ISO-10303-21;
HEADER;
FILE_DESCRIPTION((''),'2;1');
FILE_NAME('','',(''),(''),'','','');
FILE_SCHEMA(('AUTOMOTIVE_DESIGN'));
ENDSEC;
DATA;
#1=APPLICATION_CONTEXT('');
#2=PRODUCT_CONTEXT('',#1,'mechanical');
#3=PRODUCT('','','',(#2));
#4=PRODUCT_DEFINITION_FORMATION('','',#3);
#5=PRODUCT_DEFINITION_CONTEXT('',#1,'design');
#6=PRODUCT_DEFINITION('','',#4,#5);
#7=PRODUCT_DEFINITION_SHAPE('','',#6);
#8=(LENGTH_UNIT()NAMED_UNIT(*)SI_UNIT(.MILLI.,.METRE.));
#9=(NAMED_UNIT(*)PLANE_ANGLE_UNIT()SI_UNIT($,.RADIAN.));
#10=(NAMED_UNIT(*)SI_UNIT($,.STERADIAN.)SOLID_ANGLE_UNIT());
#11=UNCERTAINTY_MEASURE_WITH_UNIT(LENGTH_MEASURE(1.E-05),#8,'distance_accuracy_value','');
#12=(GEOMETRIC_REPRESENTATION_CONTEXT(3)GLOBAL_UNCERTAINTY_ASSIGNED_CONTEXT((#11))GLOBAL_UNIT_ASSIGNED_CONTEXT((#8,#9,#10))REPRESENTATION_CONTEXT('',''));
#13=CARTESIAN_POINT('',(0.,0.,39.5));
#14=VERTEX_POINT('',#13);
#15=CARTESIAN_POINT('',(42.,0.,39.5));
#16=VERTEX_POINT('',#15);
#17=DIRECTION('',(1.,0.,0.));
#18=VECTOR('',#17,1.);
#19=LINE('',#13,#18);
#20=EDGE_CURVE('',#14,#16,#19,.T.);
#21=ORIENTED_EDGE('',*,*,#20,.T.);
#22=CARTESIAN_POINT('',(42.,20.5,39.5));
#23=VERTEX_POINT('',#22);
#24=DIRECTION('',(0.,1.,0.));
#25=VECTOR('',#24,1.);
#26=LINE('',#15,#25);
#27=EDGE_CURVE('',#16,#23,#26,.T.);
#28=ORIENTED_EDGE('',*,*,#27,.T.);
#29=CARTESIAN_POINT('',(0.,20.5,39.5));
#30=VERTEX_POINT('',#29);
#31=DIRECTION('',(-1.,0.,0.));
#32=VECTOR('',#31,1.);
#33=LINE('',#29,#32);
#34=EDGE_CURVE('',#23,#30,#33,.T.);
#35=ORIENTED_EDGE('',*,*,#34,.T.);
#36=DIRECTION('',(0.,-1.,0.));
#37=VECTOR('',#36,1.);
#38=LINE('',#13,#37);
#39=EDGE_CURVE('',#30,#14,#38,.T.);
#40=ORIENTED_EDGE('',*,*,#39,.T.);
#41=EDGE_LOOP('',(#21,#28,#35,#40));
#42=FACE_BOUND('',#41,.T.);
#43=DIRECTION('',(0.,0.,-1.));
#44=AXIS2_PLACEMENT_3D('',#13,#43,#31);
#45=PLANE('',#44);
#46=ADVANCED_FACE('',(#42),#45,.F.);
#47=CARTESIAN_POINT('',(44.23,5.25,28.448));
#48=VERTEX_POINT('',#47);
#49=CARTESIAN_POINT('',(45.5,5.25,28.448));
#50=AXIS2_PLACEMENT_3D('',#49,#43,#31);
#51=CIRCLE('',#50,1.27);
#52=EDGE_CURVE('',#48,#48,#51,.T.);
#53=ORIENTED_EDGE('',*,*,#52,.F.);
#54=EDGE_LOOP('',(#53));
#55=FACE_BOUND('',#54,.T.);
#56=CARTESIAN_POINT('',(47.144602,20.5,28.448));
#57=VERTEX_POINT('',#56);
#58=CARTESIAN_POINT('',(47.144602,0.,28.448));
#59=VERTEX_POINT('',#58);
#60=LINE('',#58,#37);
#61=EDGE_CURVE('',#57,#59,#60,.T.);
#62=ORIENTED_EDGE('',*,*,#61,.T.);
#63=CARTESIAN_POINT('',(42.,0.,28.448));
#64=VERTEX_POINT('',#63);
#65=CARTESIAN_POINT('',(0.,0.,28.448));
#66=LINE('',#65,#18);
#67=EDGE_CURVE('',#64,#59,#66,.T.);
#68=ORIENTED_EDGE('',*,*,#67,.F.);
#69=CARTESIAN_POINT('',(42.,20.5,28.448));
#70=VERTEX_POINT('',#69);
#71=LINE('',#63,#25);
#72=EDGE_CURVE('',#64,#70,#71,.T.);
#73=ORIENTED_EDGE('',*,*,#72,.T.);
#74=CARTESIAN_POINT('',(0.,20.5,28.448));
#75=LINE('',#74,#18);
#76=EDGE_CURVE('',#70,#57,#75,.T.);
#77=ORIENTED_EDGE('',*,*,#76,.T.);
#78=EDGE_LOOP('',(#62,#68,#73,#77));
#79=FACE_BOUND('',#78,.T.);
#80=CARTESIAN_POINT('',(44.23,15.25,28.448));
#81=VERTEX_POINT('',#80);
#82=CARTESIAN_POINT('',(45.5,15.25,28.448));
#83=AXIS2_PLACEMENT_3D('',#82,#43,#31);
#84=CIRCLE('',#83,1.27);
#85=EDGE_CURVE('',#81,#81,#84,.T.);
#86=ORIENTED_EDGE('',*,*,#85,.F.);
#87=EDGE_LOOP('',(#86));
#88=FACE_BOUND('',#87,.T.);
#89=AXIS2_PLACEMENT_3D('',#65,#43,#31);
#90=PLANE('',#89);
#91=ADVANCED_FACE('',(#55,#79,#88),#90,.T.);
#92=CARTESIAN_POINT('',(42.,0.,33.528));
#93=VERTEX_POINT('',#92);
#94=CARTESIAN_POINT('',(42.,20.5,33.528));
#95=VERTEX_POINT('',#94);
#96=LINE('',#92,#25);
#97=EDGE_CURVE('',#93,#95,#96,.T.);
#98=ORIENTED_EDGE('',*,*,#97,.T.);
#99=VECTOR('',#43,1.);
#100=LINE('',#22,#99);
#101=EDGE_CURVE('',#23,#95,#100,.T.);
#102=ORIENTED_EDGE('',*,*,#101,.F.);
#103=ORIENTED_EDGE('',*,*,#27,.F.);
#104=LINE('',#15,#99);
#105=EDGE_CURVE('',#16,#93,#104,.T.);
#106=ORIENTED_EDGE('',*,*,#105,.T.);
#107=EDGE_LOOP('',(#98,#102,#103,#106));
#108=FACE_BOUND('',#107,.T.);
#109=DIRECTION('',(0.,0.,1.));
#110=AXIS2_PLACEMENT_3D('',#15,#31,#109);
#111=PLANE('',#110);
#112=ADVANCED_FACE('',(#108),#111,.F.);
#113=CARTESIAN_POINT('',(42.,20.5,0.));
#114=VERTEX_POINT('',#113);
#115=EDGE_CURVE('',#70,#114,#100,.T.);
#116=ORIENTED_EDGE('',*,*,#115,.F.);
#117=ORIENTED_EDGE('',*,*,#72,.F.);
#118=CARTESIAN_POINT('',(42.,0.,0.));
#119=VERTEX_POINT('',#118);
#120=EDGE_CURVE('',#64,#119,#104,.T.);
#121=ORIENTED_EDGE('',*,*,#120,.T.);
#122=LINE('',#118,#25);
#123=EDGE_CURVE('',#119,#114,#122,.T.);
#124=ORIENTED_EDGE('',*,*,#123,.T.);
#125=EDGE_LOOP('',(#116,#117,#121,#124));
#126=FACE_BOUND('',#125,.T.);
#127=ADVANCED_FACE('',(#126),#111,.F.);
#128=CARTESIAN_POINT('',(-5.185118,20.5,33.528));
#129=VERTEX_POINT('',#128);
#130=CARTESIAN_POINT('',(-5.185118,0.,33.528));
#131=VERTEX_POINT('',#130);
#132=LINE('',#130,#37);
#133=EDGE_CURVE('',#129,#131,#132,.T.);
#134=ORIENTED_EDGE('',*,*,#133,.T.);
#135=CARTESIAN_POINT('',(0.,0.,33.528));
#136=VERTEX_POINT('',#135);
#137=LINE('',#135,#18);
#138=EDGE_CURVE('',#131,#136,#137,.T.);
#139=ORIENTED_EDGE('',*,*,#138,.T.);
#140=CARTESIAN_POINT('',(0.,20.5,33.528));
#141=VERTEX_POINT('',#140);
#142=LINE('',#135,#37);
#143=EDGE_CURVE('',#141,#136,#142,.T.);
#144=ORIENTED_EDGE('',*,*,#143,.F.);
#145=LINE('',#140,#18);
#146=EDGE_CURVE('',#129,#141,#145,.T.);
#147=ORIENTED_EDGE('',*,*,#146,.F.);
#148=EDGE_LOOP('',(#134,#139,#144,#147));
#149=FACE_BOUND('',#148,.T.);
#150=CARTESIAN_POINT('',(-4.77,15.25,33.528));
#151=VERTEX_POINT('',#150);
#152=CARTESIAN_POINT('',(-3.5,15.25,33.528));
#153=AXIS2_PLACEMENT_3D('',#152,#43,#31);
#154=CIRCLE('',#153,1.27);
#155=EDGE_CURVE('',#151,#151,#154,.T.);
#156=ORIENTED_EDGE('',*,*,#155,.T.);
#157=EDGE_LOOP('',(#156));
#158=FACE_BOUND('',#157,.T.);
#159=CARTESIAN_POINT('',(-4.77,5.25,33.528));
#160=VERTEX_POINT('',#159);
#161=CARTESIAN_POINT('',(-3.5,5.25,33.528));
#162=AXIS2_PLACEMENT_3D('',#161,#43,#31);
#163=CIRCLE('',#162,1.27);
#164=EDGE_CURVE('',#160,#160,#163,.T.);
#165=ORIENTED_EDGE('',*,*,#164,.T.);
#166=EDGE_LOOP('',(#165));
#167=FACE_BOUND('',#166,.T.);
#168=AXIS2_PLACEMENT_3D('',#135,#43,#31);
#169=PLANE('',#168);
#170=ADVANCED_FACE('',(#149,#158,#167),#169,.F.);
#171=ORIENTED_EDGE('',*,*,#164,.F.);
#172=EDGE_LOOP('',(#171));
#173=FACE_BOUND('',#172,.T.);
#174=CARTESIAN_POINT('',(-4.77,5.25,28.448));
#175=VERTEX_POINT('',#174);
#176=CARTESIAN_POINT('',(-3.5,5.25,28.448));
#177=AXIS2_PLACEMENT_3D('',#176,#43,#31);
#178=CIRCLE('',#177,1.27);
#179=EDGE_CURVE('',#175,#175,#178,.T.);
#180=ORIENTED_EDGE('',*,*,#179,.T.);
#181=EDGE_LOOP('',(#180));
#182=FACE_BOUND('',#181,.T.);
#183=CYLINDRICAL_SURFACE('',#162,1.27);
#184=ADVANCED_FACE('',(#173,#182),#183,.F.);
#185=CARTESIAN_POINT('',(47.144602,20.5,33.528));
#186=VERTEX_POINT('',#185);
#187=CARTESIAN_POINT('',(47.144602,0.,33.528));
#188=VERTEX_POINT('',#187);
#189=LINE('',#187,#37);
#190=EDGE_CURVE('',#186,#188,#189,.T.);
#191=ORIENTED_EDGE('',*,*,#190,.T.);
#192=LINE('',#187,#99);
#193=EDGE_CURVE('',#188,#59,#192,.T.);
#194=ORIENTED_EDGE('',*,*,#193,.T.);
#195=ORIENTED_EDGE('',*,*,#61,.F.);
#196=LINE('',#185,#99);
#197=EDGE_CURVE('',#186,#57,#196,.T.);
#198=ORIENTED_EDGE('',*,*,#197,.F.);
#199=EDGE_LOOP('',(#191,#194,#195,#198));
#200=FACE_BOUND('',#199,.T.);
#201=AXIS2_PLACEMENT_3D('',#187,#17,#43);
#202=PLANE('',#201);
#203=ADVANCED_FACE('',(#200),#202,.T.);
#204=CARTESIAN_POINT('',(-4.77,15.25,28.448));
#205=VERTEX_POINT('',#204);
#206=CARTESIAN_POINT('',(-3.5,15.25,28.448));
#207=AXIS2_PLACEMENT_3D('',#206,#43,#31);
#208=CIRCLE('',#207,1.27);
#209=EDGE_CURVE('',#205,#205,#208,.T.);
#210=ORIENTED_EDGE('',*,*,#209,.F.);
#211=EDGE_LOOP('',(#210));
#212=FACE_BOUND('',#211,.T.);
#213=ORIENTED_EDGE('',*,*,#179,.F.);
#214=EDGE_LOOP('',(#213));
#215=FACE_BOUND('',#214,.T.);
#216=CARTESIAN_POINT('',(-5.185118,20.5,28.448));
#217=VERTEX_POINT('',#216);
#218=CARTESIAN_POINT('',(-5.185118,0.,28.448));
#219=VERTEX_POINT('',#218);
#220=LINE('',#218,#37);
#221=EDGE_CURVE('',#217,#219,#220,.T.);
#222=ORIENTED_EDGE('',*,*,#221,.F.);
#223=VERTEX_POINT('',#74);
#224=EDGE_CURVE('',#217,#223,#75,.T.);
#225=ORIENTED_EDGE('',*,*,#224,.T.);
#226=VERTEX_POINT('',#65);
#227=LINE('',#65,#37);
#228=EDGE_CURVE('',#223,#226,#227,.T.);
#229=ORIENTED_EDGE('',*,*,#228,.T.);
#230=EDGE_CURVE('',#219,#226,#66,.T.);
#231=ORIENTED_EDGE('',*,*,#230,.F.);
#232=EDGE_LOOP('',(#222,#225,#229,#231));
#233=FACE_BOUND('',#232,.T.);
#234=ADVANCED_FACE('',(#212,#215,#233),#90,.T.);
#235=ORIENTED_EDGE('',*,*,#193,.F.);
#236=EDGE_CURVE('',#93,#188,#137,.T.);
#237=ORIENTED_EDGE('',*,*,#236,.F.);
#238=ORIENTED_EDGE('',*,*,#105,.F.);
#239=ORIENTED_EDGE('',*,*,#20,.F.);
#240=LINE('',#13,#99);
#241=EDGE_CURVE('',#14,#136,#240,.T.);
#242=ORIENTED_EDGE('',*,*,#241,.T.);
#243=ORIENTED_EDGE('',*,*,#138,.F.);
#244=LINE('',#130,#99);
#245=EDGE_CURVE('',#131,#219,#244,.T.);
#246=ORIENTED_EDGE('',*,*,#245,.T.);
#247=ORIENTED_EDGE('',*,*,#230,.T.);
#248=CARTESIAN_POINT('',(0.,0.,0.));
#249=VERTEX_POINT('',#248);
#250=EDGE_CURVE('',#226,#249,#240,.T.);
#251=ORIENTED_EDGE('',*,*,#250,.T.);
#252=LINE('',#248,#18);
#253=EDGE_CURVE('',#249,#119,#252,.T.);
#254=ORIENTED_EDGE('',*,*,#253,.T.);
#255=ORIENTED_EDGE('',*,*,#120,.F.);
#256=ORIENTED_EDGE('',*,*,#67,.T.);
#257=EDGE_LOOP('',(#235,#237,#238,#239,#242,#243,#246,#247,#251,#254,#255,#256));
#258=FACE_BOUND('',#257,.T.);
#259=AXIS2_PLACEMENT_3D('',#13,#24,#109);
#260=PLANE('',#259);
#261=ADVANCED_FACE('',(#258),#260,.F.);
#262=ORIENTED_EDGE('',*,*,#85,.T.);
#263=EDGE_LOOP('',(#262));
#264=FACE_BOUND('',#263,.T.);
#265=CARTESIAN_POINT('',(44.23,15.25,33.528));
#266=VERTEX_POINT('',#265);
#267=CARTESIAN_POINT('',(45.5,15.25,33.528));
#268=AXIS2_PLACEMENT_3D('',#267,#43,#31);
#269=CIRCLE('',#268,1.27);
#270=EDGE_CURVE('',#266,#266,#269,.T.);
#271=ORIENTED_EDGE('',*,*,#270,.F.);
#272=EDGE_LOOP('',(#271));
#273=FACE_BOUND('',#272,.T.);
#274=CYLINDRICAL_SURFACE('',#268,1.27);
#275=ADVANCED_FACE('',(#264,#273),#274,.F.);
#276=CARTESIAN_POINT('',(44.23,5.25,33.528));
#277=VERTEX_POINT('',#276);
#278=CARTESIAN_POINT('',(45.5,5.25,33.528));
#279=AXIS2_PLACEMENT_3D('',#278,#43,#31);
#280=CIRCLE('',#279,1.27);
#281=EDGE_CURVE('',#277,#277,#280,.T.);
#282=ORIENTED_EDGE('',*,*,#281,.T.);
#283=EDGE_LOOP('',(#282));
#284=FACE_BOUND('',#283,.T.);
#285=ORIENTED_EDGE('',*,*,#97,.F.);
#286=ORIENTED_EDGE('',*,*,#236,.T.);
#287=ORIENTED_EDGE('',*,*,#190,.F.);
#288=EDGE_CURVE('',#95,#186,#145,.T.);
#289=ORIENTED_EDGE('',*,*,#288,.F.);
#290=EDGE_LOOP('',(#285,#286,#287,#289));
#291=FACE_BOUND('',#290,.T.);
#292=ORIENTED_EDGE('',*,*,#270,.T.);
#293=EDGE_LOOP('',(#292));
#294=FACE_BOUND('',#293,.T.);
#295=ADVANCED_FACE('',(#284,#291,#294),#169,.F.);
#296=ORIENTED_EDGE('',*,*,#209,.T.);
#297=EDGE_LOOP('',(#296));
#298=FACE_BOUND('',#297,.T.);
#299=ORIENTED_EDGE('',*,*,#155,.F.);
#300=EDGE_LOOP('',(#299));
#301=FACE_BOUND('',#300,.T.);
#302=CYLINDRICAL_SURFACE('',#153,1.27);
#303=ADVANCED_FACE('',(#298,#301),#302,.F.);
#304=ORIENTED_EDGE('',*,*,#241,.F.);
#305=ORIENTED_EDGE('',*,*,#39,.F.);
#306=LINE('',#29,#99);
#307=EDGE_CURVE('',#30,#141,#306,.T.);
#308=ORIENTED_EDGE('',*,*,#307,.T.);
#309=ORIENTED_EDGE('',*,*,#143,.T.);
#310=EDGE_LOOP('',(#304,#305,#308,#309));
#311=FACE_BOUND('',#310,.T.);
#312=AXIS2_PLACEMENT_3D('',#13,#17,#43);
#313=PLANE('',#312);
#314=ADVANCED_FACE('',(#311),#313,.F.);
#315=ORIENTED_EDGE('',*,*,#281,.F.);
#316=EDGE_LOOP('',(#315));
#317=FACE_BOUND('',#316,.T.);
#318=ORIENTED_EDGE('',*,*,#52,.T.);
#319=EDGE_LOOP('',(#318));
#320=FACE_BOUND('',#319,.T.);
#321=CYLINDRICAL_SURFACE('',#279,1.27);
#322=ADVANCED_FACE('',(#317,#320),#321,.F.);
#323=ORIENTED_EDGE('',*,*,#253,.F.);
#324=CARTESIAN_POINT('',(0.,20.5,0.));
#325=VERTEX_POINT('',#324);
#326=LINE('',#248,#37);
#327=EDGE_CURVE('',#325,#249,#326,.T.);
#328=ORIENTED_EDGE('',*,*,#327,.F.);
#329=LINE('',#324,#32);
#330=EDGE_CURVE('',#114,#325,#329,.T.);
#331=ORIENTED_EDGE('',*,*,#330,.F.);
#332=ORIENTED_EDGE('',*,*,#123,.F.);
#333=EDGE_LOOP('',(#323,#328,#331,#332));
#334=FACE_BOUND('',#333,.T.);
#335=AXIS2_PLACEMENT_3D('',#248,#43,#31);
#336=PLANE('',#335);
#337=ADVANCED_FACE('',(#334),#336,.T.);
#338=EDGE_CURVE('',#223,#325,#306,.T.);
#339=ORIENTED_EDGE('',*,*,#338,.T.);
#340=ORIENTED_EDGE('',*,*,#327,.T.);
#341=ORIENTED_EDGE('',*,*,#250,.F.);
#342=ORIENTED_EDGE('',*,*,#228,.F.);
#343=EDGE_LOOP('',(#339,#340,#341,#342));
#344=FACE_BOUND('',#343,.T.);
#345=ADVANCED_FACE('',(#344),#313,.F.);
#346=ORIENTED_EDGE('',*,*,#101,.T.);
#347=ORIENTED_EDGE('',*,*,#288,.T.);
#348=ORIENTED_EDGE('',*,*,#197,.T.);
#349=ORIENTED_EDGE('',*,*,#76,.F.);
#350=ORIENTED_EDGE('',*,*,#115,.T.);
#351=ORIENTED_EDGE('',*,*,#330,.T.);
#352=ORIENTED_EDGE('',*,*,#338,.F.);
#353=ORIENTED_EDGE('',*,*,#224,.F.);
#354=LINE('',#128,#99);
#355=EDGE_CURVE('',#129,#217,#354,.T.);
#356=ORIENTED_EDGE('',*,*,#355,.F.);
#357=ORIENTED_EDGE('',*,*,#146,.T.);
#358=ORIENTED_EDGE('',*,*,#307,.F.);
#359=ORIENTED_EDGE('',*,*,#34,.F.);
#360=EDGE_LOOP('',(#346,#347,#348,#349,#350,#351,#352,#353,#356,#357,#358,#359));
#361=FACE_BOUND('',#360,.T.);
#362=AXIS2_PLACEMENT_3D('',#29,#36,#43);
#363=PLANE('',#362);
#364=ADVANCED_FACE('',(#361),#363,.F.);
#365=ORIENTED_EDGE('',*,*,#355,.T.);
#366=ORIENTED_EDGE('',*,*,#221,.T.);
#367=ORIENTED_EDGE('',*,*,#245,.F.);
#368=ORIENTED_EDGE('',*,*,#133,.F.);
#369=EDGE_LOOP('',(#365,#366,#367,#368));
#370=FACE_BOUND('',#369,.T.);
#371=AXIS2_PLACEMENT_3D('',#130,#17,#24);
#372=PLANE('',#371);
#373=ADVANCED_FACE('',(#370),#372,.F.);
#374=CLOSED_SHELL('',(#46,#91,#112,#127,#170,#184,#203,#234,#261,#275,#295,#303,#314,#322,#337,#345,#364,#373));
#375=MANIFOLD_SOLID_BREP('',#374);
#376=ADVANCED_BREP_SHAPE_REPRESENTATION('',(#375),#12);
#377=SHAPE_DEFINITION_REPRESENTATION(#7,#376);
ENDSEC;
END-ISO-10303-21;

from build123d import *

# Parameters (mm, degrees)
SKETCH1_W           = 42
SKETCH1_H           = 20.5
BOSS_EXTRUDE1_DEPTH = 39.5
SKETCH2_W           = 5.185118418
SKETCH2_H           = 20.5
SKETCH2_R           = 1.27
SKETCH2_W_2         = 5.144602193
BOSS_EXTRUDE2_DEPTH = 5.08


with BuildPart() as part:
    # Sketch1 → Boss-Extrude1 (new body)
    with BuildSketch(Plane.XY):
        with Locations((21, 10.25)):
            Rectangle(SKETCH1_W, SKETCH1_H)
    extrude(amount=BOSS_EXTRUDE1_DEPTH)

    # Sketch2 → Boss-Extrude2 (add)
    with BuildSketch(Plane(origin=(0, 0, 28.448), x_dir=(-1, 0, 0), z_dir=(0, 0, -1))):
        with Locations((2.592559209, 10.25)):
            Rectangle(SKETCH2_W, SKETCH2_H)
        with Locations((3.5, 5.25)):
            Circle(SKETCH2_R, mode=Mode.SUBTRACT)
        with Locations((3.5, 15.25)):
            Circle(SKETCH2_R, mode=Mode.SUBTRACT)
        with Locations((-44.572301096, 10.25)):
            Rectangle(SKETCH2_W_2, SKETCH2_H)
        with Locations((-45.5, 5.25)):
            Circle(SKETCH2_R, mode=Mode.SUBTRACT)
        with Locations((-45.5, 15.25)):
            Circle(SKETCH2_R, mode=Mode.SUBTRACT)
    extrude(amount=-BOSS_EXTRUDE2_DEPTH)


solid = part.part
